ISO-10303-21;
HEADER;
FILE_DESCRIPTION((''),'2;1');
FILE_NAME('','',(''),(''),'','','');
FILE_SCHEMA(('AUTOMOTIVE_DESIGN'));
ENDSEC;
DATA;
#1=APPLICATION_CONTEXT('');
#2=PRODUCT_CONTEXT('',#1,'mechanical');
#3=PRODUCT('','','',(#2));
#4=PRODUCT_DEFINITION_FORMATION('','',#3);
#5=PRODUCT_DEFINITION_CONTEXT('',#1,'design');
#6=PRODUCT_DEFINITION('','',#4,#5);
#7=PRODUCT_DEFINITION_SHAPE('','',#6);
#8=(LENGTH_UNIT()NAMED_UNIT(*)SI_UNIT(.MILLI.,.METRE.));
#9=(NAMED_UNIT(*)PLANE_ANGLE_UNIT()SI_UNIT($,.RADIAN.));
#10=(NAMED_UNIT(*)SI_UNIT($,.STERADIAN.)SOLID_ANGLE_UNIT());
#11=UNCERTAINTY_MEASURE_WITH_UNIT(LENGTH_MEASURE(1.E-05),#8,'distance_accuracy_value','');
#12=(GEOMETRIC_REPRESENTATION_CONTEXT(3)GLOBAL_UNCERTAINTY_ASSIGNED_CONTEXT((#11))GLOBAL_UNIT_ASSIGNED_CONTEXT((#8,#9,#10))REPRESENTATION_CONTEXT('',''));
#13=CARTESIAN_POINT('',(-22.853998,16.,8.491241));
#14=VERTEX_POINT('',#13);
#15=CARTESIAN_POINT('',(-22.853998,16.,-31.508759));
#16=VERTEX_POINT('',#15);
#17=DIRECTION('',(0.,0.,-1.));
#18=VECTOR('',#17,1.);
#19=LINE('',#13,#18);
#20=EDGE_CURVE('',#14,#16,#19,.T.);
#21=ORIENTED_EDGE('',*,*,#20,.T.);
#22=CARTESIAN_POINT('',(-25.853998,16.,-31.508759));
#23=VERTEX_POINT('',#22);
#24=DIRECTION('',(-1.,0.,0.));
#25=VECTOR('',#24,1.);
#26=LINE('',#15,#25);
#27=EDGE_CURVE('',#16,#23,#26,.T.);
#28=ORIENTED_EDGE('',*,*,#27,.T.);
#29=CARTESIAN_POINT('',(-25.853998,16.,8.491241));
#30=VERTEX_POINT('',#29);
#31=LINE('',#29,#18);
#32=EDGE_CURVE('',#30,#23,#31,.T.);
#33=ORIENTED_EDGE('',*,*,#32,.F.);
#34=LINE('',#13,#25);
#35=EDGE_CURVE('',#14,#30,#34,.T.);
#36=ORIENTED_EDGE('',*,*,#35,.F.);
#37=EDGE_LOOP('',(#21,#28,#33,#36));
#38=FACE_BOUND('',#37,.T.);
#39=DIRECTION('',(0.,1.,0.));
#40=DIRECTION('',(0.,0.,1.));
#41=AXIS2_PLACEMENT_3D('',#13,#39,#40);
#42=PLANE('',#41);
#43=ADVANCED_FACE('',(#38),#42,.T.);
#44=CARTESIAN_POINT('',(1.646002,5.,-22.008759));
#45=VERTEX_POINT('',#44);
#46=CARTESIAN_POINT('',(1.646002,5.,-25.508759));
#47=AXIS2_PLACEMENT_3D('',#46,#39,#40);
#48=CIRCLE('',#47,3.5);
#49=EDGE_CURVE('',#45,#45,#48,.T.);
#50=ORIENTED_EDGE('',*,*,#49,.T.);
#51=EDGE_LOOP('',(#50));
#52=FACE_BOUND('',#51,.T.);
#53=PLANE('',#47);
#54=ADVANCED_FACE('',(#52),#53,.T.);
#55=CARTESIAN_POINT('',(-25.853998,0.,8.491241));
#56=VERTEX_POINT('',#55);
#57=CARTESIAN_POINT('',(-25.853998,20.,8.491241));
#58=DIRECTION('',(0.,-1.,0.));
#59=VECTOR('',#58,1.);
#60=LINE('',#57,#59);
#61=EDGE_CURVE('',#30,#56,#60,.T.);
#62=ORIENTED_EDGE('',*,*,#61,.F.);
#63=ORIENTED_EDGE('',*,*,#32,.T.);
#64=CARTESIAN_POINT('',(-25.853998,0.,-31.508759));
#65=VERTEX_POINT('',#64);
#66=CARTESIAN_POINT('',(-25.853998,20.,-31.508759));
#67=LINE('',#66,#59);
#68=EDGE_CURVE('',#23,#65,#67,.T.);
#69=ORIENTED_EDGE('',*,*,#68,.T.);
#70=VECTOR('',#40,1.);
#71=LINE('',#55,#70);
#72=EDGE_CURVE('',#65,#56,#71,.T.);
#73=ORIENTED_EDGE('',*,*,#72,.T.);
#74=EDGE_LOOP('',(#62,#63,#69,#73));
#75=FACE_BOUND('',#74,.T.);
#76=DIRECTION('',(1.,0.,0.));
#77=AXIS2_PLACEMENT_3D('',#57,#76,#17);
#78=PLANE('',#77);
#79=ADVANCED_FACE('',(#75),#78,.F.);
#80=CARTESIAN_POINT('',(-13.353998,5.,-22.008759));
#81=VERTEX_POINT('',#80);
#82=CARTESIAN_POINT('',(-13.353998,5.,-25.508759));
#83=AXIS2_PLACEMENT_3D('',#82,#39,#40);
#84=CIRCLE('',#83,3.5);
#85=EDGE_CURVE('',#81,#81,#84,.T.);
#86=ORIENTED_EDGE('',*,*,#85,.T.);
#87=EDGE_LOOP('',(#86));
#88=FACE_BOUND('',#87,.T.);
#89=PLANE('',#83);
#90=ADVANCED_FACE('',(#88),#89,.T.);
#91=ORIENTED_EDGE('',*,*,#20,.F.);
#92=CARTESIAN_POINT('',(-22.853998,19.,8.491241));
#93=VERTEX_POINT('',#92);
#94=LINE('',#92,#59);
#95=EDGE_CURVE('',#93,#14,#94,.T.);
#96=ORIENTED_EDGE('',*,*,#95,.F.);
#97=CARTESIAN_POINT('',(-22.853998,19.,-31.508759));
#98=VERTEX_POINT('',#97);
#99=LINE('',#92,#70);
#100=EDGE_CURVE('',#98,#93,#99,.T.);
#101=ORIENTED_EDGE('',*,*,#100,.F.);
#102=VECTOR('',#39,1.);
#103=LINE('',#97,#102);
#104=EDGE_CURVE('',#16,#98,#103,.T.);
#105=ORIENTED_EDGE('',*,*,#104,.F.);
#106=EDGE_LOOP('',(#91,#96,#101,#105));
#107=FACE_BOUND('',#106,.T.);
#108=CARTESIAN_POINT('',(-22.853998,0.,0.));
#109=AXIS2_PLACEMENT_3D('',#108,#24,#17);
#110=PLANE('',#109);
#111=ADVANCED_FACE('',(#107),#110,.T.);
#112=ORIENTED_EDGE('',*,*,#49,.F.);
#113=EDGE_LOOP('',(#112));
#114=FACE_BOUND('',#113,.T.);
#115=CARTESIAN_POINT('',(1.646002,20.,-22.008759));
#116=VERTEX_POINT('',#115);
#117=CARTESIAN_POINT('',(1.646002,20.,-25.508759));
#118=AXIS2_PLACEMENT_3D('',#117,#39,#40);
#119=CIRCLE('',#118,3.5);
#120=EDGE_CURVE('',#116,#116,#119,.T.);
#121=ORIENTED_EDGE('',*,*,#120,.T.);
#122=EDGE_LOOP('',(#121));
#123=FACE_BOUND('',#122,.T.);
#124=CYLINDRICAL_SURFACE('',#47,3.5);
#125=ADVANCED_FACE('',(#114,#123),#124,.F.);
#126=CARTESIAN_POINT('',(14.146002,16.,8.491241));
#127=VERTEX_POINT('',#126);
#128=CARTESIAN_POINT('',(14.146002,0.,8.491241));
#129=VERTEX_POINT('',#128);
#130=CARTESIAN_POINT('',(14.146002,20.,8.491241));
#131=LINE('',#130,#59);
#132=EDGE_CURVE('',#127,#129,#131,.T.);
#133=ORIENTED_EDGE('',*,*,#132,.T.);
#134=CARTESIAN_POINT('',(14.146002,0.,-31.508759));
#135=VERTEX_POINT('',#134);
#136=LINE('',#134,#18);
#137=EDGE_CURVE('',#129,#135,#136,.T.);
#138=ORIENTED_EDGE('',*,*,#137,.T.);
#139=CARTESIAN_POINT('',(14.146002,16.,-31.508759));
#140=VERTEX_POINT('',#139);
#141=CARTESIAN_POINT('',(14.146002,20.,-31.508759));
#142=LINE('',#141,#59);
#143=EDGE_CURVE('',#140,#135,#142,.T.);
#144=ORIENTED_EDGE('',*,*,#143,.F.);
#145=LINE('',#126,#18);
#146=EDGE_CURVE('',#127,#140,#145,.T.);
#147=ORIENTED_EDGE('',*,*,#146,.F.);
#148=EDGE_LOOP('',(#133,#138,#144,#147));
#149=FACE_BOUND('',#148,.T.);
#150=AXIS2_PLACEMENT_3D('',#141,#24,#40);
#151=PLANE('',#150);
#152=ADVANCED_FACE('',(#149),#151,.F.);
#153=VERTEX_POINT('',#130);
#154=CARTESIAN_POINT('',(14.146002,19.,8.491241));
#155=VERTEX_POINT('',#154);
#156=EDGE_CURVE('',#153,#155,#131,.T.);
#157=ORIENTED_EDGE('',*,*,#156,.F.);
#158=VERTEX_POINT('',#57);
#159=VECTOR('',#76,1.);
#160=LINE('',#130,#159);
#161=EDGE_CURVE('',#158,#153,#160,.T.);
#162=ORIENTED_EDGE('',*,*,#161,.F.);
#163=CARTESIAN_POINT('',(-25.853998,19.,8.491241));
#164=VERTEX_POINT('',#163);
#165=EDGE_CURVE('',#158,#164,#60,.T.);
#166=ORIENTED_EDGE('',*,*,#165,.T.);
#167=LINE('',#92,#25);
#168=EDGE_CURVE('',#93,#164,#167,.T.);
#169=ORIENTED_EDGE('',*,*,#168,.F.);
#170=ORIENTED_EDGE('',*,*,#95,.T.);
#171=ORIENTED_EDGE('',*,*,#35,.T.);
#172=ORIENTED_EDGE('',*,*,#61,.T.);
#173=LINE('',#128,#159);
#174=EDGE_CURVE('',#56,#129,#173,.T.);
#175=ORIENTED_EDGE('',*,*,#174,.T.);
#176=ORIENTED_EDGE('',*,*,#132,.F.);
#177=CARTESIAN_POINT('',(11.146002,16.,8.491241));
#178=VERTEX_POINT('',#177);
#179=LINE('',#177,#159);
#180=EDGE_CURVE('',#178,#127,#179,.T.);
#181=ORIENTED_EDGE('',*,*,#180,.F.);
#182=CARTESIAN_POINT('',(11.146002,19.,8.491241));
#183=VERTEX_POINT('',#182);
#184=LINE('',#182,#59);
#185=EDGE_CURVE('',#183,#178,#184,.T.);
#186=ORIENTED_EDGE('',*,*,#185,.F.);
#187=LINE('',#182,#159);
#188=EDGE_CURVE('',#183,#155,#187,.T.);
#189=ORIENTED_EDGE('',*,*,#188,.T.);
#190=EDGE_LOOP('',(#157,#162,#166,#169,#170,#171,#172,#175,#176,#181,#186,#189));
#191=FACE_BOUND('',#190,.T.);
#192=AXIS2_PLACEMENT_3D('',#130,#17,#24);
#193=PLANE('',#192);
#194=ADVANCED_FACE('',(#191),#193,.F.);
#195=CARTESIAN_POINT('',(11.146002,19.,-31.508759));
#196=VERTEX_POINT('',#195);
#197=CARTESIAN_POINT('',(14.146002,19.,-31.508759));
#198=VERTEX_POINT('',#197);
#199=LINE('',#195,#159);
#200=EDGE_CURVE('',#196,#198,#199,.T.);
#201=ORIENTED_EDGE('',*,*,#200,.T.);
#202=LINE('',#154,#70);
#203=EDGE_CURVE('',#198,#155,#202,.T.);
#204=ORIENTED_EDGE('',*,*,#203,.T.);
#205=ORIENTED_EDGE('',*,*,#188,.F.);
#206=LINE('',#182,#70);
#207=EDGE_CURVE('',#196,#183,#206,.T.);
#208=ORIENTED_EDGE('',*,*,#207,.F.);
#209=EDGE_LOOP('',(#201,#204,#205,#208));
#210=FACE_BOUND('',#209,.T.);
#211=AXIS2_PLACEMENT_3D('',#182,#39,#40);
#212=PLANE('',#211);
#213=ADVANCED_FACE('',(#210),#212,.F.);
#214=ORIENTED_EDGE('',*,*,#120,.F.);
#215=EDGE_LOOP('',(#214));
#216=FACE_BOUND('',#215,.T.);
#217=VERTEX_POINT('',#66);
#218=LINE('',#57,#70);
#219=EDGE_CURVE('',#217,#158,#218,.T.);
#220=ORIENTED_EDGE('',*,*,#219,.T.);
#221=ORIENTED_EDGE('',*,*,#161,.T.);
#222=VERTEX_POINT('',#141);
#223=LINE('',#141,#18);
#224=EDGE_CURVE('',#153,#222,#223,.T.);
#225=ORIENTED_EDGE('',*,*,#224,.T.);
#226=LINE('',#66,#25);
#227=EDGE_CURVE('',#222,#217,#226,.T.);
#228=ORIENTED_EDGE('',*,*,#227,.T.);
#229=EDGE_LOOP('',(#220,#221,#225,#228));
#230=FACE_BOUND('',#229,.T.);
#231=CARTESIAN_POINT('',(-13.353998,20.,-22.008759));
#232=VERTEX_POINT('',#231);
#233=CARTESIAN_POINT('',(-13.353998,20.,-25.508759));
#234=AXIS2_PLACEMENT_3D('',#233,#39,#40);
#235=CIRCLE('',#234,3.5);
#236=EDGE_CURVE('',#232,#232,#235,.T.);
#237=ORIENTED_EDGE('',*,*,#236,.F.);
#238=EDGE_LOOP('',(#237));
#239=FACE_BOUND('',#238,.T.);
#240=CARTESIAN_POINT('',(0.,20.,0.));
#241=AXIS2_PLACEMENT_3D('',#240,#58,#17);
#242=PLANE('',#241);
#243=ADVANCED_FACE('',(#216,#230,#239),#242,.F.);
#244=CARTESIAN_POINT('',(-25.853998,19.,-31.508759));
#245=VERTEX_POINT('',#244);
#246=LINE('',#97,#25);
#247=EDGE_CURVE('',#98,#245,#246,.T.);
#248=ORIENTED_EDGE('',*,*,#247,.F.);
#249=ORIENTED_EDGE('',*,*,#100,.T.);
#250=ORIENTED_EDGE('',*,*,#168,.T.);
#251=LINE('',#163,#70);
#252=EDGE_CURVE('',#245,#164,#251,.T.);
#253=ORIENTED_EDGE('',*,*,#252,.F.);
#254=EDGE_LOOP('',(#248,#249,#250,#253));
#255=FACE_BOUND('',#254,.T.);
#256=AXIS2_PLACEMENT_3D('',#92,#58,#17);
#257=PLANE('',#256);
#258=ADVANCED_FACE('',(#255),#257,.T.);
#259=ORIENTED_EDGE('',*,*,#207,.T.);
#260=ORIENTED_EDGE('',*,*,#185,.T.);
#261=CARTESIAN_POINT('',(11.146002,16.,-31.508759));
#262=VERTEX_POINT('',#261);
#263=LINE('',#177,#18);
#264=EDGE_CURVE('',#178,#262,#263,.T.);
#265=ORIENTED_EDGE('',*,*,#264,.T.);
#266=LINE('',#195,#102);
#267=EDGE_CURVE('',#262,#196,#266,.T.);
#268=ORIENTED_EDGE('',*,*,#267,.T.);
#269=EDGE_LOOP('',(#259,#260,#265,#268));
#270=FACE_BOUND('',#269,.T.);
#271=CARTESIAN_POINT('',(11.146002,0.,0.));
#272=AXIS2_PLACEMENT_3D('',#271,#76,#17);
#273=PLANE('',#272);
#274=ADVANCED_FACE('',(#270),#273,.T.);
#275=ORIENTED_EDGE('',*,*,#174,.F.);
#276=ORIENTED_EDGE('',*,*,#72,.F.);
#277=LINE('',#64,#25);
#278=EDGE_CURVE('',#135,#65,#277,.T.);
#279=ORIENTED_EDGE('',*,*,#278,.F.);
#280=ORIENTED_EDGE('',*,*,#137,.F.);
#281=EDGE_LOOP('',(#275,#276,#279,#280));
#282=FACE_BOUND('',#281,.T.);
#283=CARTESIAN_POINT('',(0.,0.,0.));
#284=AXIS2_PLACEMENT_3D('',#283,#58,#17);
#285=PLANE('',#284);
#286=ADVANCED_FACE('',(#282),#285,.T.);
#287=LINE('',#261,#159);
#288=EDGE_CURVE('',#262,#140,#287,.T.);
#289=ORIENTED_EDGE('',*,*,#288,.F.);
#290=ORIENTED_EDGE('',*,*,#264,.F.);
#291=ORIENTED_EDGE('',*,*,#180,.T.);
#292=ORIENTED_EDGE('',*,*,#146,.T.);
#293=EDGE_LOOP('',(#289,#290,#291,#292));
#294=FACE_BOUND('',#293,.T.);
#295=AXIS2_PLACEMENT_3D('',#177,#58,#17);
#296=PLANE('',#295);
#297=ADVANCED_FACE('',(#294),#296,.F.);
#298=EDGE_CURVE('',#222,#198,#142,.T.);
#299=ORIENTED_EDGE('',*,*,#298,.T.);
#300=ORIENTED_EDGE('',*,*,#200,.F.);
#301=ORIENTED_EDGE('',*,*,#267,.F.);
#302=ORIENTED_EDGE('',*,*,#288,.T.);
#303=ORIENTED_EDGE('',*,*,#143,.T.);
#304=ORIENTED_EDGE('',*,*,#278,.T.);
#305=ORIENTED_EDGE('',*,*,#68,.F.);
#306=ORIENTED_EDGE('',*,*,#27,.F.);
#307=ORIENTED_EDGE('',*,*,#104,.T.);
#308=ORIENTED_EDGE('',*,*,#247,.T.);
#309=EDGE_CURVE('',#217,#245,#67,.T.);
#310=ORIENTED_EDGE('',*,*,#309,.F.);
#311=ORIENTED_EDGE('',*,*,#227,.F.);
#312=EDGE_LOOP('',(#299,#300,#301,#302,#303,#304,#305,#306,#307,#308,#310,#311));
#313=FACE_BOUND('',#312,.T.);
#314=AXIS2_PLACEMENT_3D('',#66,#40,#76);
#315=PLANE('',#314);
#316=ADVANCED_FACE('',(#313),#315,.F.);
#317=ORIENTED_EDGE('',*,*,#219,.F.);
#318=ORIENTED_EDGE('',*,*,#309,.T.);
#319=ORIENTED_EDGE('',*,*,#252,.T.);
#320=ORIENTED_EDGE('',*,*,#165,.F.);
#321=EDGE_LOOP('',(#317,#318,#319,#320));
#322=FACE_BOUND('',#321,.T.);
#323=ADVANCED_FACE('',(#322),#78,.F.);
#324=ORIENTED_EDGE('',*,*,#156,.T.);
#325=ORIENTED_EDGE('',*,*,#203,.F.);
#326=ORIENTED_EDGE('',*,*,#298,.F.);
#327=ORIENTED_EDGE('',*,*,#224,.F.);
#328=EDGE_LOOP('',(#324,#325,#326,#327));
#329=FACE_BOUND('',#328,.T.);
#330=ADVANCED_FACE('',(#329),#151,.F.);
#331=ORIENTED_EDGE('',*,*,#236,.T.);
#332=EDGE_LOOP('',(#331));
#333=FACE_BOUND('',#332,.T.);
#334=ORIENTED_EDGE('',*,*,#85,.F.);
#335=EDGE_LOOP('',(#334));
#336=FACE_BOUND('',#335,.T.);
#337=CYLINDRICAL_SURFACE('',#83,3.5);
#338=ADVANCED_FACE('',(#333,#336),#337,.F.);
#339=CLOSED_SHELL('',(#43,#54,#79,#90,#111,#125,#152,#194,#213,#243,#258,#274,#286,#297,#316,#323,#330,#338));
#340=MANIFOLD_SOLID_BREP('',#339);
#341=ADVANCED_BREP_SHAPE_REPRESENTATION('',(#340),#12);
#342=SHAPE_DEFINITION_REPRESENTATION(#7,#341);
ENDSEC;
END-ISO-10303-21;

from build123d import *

# Parameters (mm, degrees)
SKETCH1_W           = 40
SKETCH1_H           = 40
BOSS_EXTRUDE1_DEPTH = 20
SKETCH2_R           = 3.5
CUT_EXTRUDE1_DEPTH  = 15
SKETCH3_W           = 40
SKETCH3_H           = 3
CUT_EXTRUDE2_DEPTH  = 3


with BuildPart() as part:
    # Sketch1 → Boss-Extrude1 (new body)
    with BuildSketch(Plane(origin=(0, 0, 0), x_dir=(1, 0, 0), z_dir=(0, 1, 0))):
        with Locations((-5.853997969, 11.508758813)):
            Rectangle(SKETCH1_W, SKETCH1_H)
    extrude(amount=BOSS_EXTRUDE1_DEPTH)

    # Sketch2 → Cut-Extrude1 (cut)
    with BuildSketch(Plane(origin=(0, 20, 0), x_dir=(1, 0, 0), z_dir=(0, 1, 0))):
        with Locations(Location((-13.353997969, 25.508758813, 0), (0, 0, 270))):
            Circle(SKETCH2_R)
        with Locations(Location((1.646002031, 25.508758813, 0), (0, 0, 270))):
            Circle(SKETCH2_R)
    extrude(amount=-CUT_EXTRUDE1_DEPTH, mode=Mode.SUBTRACT)

    # Sketch3 → Cut-Extrude2 (cut)
    with BuildSketch(Plane(origin=(14.146002031, 0, 0), x_dir=(0, 0, -1), z_dir=(1, 0, 0))):
        with Locations((11.508758813, 17.5)):
            Rectangle(SKETCH3_W, SKETCH3_H)
    cut_extrude2 = extrude(amount=-CUT_EXTRUDE2_DEPTH, mode=Mode.SUBTRACT)

    # Mirror1: Cut-Extrude2 across plane
    add(cut_extrude2.mirror(Plane(origin=(-5.853997969, 0, 0), x_dir=(0, 0, 1), z_dir=(1, 0, 0))), mode=Mode.SUBTRACT)


solid = part.part
